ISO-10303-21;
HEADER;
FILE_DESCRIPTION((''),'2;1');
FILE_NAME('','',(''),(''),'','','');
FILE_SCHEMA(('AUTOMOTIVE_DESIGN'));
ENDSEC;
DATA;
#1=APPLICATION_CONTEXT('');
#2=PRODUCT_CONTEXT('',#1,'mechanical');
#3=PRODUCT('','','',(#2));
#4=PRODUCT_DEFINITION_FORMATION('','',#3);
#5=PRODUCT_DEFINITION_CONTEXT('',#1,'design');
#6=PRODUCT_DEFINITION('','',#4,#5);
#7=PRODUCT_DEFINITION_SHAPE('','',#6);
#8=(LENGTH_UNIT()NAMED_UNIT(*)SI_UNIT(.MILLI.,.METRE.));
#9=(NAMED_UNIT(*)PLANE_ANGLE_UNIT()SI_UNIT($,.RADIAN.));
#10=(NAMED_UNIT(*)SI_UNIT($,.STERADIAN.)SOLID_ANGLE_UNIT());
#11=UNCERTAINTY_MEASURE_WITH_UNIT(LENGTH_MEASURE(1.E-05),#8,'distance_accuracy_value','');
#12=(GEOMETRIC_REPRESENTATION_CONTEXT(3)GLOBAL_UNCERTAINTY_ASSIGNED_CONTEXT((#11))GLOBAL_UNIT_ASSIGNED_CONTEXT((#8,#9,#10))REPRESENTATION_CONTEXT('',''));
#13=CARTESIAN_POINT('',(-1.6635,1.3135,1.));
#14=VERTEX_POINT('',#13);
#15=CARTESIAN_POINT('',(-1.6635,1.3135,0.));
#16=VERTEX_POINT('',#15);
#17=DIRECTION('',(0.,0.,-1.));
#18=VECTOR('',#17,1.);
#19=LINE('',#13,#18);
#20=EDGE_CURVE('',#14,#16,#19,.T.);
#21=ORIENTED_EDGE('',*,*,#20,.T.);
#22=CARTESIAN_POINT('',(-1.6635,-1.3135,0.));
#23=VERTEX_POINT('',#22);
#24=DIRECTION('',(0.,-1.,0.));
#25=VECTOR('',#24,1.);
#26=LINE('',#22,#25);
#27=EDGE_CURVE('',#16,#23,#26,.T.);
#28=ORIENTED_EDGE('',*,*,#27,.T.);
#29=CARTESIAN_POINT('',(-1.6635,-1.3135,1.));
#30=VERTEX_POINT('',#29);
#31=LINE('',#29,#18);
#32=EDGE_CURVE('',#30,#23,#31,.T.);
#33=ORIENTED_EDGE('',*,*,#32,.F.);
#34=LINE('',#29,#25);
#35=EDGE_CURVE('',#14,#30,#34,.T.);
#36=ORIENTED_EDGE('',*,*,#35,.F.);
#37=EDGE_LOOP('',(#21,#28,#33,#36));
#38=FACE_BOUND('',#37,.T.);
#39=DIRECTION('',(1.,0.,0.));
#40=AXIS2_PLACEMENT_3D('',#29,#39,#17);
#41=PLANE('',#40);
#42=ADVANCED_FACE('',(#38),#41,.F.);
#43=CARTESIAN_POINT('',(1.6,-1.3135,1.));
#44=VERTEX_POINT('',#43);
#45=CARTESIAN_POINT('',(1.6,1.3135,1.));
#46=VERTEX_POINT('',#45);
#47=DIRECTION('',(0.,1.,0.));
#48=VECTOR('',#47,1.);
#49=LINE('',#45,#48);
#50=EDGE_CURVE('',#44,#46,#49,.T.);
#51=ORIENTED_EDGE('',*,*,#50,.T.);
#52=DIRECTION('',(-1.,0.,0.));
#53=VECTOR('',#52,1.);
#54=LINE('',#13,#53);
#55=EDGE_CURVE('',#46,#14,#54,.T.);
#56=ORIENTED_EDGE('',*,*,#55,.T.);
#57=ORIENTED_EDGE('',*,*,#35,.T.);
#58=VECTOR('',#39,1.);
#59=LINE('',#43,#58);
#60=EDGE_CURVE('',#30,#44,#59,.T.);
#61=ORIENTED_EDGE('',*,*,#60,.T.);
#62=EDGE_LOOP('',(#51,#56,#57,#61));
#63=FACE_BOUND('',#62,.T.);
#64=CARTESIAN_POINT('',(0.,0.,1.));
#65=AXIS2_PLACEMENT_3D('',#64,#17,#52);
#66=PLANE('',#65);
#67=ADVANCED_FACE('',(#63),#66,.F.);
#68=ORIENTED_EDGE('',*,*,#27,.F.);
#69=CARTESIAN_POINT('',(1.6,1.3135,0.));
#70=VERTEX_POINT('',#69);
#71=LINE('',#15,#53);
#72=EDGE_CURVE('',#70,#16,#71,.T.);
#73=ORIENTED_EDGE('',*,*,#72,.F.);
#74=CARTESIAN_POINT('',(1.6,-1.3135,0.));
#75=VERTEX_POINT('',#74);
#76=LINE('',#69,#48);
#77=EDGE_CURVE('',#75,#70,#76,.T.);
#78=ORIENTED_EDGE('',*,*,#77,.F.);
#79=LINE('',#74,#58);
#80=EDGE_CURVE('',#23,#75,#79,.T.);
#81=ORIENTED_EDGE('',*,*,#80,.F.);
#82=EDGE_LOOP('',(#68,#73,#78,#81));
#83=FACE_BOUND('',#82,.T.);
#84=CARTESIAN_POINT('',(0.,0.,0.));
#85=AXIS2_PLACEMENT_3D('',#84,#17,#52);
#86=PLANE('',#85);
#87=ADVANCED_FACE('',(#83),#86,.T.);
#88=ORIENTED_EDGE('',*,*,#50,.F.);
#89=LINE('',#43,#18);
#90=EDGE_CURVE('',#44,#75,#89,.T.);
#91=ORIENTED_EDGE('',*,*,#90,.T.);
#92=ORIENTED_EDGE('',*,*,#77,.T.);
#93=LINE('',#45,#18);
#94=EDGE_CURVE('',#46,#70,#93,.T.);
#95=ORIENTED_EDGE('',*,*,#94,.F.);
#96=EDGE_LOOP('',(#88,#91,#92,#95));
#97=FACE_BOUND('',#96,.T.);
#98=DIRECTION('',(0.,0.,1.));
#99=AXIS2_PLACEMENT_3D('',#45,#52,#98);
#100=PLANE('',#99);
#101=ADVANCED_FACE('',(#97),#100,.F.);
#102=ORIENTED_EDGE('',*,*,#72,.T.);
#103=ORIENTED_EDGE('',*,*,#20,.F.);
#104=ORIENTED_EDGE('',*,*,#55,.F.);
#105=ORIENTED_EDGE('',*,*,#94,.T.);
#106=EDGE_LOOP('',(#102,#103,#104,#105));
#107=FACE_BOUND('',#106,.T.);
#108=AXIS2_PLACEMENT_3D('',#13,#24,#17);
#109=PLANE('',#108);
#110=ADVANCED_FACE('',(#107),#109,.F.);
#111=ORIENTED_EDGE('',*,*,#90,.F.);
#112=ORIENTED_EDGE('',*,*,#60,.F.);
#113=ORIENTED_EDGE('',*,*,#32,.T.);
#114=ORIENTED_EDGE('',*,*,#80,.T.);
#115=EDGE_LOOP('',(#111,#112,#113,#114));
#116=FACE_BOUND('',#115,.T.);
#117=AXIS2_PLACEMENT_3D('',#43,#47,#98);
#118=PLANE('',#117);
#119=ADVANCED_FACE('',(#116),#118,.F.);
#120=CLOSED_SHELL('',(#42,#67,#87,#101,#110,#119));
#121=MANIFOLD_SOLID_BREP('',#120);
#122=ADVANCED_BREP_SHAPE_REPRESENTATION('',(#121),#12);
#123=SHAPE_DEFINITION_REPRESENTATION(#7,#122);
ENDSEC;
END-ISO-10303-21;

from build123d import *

# Parameters (mm, degrees)
ESQUISSE1_W             = 3.2635
ESQUISSE1_H             = 2.627
COMPONENT_OUTLINE_DEPTH = 1


with BuildPart() as part:
    # Esquisse1 → Component_Outline (new body)
    with BuildSketch(Plane.XY):
        with Locations((-0.03175, 0)):
            Rectangle(ESQUISSE1_W, ESQUISSE1_H)
    extrude(amount=COMPONENT_OUTLINE_DEPTH)


solid = part.part
